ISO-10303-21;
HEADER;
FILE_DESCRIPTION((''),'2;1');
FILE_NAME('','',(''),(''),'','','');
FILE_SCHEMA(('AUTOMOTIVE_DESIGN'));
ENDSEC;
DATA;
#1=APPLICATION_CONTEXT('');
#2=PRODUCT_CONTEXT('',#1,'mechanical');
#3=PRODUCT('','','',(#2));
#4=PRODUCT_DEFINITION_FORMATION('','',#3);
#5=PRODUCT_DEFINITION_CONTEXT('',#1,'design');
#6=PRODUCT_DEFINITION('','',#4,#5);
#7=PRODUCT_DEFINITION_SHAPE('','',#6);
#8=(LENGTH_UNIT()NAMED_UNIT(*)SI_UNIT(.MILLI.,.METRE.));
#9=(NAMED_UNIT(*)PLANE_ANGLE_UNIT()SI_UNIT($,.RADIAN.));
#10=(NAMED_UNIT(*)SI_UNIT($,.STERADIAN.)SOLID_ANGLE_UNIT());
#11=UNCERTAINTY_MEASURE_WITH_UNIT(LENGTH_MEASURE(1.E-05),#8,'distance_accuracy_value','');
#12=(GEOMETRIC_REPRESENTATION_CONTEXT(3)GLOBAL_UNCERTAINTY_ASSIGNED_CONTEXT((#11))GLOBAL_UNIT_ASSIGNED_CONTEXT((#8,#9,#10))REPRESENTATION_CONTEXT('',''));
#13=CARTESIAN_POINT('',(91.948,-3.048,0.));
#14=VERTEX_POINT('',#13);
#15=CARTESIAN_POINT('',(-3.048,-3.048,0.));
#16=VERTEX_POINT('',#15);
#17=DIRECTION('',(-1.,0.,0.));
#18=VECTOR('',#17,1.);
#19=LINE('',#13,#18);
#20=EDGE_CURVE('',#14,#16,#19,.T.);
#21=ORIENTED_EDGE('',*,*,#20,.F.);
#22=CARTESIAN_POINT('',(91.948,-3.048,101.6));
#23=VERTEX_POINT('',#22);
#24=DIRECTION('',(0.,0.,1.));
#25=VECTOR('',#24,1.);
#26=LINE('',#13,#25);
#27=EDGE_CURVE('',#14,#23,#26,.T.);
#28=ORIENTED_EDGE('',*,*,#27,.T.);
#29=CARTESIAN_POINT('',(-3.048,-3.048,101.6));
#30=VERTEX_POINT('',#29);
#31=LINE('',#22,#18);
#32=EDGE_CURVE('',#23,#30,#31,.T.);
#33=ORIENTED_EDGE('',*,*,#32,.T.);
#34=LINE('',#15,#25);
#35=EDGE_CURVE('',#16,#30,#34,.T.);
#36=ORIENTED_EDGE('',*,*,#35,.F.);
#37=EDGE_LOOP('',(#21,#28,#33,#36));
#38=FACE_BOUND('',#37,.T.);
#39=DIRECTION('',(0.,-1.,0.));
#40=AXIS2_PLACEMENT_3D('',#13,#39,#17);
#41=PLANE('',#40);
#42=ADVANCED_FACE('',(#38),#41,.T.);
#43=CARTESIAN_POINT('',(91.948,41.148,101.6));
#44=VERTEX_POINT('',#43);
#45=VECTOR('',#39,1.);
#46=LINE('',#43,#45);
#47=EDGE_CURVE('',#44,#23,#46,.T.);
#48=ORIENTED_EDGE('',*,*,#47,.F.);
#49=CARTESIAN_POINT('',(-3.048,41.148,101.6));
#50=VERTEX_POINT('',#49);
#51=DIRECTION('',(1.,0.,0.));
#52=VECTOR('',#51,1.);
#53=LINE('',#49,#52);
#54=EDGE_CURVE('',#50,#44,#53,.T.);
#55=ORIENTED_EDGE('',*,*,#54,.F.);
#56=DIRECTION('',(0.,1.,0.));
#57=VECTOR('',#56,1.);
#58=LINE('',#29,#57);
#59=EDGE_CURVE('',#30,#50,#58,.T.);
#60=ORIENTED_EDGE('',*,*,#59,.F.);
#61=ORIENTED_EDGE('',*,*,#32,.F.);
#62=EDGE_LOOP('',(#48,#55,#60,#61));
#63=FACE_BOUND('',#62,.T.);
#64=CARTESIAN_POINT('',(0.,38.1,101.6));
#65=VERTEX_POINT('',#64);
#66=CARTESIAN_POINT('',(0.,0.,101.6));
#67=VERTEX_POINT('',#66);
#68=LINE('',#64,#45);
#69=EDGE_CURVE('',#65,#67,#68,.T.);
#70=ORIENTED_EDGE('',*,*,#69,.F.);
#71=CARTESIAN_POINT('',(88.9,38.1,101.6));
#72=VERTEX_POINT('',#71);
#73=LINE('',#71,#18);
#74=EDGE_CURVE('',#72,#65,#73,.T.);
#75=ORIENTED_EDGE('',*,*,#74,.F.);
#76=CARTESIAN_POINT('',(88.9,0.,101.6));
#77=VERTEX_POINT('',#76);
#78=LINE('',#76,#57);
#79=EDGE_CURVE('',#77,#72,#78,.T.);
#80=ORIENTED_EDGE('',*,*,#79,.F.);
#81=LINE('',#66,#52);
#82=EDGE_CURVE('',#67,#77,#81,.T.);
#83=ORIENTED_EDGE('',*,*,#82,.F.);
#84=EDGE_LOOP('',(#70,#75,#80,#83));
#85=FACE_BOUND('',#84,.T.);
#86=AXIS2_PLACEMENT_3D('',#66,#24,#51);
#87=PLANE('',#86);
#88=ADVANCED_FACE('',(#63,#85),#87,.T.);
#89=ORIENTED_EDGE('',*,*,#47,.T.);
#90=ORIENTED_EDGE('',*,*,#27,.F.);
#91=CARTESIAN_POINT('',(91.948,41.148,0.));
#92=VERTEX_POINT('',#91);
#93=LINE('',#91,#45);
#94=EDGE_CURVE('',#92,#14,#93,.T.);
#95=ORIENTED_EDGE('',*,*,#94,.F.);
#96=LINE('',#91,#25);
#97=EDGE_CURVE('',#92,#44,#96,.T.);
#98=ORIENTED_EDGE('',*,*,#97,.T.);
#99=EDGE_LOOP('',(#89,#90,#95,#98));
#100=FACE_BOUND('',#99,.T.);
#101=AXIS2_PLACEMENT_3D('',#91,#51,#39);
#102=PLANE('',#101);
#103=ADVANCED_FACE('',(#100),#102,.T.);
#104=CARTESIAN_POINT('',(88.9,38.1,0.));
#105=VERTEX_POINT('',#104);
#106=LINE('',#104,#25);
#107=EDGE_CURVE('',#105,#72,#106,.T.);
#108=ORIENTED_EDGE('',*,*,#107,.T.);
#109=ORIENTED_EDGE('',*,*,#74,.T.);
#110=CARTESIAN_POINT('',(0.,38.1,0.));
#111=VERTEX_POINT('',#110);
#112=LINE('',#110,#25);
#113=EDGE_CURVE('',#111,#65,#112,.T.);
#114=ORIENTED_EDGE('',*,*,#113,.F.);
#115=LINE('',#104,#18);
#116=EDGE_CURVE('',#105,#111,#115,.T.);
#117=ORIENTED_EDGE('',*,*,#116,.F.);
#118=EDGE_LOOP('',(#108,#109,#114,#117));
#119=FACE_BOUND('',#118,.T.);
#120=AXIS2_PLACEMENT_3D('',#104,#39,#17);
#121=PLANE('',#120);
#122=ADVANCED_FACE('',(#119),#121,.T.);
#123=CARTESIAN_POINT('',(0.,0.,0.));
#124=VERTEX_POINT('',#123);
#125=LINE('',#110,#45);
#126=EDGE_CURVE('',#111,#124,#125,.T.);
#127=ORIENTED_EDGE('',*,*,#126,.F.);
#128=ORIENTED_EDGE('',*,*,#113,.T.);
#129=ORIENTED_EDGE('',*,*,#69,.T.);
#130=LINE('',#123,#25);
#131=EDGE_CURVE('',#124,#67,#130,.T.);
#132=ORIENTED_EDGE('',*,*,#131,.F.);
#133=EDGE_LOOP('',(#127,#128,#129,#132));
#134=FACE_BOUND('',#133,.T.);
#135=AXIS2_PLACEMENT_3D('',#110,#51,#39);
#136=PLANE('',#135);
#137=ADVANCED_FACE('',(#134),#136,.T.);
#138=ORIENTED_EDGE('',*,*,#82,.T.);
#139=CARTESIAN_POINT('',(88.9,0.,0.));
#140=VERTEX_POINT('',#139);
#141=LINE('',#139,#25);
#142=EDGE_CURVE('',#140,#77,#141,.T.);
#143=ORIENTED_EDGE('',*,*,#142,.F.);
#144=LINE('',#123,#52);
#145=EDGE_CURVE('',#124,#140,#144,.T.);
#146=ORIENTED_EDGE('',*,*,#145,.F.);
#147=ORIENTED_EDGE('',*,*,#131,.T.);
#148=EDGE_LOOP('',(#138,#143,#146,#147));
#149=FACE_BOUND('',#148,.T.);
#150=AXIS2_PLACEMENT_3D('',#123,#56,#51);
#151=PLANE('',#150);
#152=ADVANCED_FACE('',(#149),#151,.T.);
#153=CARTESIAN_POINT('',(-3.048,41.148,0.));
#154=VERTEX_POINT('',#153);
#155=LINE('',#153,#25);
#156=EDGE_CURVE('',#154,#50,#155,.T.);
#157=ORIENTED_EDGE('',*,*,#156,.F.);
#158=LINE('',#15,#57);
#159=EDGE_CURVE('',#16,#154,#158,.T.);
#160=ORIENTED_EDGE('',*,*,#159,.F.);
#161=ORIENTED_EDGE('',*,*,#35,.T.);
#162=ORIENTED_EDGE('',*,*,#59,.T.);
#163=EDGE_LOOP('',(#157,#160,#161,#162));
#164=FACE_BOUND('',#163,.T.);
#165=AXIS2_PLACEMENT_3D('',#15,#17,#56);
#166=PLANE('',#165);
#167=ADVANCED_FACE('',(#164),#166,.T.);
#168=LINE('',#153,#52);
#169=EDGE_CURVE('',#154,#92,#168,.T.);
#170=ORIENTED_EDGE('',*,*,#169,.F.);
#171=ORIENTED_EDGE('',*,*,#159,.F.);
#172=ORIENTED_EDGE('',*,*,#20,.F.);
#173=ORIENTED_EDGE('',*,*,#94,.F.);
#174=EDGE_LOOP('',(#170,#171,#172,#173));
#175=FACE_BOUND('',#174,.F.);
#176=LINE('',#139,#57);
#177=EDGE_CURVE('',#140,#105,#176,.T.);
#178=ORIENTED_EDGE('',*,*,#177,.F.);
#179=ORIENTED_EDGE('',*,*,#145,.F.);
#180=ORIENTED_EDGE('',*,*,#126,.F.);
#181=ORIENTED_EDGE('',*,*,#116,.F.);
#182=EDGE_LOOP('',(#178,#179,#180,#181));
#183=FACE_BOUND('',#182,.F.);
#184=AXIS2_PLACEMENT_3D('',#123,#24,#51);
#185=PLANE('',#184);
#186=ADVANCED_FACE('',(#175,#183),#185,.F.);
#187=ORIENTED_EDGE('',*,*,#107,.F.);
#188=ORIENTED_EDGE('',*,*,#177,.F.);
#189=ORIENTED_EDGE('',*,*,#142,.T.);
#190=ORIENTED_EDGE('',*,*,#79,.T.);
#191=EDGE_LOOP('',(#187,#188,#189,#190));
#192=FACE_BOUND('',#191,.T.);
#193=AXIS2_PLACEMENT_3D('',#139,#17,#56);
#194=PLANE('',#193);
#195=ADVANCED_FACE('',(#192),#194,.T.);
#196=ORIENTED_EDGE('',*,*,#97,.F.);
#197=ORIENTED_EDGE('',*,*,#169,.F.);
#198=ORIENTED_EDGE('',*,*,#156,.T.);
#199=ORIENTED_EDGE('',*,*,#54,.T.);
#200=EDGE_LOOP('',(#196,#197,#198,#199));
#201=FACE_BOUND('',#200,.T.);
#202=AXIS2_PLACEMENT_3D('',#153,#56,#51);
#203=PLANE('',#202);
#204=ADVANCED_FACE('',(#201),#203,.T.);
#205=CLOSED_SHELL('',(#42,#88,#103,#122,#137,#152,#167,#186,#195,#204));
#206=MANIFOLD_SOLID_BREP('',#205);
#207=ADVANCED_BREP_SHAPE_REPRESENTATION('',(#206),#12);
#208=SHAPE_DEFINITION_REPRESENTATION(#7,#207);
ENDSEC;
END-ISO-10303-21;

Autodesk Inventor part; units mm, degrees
ref_plane "YZ Plane" through (0, 0, 0) normal (1, 0, 0) x (0, 1, 0)
ref_plane "XZ Plane" through (0, 0, 0) normal (0, 1, 0) x (-1, 0, 0)
ref_plane "XY Plane" through (0, 0, 0) normal (0, 0, 1) x (1, 0, 0)
sketch "Sketch1" plane through (0, 0, 0) normal (0, 0, 1) x (1, 0, 0)
  line L0 (0, 0) -> (88.9, 0)
  line L1 (88.9, 0) -> (88.9, 38.1)
  line L2 (88.9, 38.1) -> (0, 38.1)
  line L3 (0, 38.1) -> (0, 0)
  line L4 (-3.048, 41.148) -> (91.948, 41.148)
  line L5 (91.948, 41.148) -> (91.948, -3.048)
  line L6 (91.948, -3.048) -> (-3.048, -3.048)
  line L7 (-3.048, -3.048) -> (-3.048, 41.148)
  dimension "d0" = 88.9
  dimension "d1" = 38.1
  dimension "d2" = 3.048
extrude "Extrusion1" add sketch "Sketch1" along normal blind 101.6
properties part number "2p1rim2" material "Steel, Galvanized"
